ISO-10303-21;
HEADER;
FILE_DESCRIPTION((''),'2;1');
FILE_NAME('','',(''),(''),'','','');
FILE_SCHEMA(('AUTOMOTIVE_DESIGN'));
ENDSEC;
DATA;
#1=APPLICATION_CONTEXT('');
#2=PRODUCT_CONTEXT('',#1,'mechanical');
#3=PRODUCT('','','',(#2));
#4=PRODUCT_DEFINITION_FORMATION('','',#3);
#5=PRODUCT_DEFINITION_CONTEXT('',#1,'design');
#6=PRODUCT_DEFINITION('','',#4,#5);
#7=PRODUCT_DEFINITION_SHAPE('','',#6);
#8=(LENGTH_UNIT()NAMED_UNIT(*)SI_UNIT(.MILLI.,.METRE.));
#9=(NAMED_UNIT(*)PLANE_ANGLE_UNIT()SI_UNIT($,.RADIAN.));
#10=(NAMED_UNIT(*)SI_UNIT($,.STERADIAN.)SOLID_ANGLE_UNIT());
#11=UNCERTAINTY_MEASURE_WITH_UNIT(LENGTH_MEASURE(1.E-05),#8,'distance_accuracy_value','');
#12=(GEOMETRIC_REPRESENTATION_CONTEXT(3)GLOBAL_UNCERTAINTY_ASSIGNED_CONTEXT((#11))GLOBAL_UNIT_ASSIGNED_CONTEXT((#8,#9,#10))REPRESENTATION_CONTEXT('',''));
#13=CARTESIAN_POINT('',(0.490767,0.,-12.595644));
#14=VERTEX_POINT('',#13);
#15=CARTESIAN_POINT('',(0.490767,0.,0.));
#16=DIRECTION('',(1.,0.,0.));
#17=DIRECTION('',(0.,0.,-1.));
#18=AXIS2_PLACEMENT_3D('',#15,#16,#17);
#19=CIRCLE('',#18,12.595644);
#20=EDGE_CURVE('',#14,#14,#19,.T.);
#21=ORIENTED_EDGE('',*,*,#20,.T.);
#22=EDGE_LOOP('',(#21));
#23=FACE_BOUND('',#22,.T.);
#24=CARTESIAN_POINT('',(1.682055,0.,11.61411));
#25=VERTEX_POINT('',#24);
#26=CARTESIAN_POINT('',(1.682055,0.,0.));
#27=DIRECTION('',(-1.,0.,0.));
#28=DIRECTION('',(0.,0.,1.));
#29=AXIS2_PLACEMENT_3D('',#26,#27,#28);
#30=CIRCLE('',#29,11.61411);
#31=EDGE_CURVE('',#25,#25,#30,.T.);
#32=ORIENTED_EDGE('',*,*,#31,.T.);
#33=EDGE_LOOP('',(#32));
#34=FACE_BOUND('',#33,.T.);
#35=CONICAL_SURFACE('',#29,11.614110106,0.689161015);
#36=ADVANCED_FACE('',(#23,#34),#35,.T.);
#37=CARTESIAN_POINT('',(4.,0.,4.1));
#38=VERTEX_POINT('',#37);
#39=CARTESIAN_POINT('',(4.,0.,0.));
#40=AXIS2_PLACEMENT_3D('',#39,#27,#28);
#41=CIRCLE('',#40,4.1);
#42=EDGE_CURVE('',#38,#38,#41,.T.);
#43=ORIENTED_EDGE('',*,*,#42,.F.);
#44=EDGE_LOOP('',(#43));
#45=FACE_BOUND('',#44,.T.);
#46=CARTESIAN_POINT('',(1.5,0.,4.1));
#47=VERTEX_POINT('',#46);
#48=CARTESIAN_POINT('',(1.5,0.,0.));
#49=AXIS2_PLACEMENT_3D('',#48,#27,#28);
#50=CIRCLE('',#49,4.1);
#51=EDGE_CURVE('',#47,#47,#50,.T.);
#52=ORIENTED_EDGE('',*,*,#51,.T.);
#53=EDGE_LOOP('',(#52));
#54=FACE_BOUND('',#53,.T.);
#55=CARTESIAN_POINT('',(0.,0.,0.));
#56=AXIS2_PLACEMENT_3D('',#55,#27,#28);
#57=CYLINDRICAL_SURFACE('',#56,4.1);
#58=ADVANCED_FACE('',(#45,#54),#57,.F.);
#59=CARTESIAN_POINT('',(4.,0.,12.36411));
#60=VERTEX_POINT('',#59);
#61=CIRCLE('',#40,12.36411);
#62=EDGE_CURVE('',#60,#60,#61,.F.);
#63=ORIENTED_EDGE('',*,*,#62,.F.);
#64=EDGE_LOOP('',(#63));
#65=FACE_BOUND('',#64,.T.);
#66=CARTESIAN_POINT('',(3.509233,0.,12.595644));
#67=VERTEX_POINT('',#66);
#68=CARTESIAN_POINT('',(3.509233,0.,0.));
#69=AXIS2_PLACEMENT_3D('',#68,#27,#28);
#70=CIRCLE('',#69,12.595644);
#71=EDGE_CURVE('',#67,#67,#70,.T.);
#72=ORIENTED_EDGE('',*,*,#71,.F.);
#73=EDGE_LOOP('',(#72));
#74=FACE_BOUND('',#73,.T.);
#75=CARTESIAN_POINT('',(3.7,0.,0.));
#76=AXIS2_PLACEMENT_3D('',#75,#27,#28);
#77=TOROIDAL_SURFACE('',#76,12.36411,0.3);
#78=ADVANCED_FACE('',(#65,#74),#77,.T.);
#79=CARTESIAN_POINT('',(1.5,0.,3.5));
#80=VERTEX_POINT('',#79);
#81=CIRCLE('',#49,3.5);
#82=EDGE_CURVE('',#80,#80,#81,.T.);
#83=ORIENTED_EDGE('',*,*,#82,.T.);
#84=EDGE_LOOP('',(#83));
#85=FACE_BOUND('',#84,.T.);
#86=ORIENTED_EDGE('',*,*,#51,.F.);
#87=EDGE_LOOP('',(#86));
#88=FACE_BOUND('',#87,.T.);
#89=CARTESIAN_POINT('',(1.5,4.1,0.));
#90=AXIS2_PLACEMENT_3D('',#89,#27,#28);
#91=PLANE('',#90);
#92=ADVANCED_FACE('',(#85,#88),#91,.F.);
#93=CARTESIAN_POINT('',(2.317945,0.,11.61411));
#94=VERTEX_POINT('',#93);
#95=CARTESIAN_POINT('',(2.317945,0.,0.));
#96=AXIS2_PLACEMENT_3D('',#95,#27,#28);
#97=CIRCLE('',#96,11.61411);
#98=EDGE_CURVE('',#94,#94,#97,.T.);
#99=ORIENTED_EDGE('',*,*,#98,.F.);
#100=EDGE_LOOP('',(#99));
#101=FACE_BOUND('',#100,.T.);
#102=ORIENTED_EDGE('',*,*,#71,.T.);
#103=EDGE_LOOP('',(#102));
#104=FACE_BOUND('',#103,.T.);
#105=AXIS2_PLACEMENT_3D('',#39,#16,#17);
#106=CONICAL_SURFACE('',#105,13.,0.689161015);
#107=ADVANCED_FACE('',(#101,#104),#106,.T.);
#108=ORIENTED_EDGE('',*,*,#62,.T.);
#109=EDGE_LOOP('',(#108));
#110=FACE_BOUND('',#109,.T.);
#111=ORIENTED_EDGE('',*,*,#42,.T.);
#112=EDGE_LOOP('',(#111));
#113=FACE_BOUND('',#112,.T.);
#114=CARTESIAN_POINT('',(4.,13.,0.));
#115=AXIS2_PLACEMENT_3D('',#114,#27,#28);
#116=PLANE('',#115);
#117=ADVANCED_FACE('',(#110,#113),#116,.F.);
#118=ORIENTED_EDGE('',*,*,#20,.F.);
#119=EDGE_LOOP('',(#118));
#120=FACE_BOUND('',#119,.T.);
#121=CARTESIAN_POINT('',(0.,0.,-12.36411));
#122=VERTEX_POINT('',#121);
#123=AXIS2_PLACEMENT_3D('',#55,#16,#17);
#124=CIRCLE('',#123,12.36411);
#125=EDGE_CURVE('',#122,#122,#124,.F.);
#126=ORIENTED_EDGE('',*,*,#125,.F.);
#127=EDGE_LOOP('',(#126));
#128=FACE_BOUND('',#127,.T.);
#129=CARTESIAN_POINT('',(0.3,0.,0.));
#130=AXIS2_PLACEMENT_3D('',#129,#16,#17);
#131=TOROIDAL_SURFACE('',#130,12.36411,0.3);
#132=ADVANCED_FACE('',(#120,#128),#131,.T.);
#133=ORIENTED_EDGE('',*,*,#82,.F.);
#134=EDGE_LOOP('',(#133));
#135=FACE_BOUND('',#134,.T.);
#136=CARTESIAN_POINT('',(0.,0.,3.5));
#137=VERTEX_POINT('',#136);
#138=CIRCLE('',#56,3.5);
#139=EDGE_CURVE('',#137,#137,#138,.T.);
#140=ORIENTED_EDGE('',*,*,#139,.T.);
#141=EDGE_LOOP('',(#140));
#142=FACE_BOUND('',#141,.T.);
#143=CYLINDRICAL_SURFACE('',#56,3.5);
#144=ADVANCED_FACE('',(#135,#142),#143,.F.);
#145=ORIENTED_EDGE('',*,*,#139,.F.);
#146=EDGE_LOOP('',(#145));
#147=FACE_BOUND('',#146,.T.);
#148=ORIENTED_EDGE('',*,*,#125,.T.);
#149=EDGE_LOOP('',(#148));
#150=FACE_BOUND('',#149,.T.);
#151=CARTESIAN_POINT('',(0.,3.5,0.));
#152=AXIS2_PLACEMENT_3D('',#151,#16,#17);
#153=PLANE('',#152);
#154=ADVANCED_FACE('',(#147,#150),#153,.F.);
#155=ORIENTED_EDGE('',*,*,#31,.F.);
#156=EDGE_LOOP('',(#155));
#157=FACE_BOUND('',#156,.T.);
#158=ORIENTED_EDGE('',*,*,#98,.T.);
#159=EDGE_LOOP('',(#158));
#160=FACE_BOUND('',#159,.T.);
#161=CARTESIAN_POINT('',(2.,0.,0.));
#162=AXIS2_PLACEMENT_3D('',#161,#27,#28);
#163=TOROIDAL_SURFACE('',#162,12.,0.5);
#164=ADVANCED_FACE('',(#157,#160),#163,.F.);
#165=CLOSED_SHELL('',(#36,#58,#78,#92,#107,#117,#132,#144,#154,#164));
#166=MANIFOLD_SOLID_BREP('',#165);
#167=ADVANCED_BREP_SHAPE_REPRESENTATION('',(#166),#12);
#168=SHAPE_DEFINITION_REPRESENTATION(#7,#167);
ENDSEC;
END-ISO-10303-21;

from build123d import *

# Parameters (mm, degrees)
FILLET1_R = 0.3


with BuildPart() as part:
    # Sketch1 → Revolve1 (revolve)
    with BuildSketch(Plane.XY, mode=Mode.PRIVATE) as revolve1_sk:
        with BuildLine():
            Line((0, 3.5), (0, 13))
            Line((0, 13), (1.682055053, 11.614110106))
            ThreePointArc((1.682055053, 11.614110106), (2, 11.5), (2.317944947, 11.614110106))
            Line((2.317944947, 11.614110106), (4, 13))
            Line((4, 13), (4, 4.1))
            Line((4, 4.1), (1.5, 4.1))
            Line((1.5, 4.1), (1.5, 3.5))
            Line((1.5, 3.5), (0, 3.5))
        make_face()
    revolve(revolve1_sk.sketch.rotate(Axis((0, 0, 0), (1, 0, 0)), 90), axis=Axis((0, 0, 0), (1, 0, 0)))

    # Fillet1
    fillet1_edges = [part.edges().sort_by_distance(p)[0] for p in [
        (0, 0, -13),
        (4, 0, -13),
    ]]
    fillet(fillet1_edges, radius=FILLET1_R)


solid = part.part
